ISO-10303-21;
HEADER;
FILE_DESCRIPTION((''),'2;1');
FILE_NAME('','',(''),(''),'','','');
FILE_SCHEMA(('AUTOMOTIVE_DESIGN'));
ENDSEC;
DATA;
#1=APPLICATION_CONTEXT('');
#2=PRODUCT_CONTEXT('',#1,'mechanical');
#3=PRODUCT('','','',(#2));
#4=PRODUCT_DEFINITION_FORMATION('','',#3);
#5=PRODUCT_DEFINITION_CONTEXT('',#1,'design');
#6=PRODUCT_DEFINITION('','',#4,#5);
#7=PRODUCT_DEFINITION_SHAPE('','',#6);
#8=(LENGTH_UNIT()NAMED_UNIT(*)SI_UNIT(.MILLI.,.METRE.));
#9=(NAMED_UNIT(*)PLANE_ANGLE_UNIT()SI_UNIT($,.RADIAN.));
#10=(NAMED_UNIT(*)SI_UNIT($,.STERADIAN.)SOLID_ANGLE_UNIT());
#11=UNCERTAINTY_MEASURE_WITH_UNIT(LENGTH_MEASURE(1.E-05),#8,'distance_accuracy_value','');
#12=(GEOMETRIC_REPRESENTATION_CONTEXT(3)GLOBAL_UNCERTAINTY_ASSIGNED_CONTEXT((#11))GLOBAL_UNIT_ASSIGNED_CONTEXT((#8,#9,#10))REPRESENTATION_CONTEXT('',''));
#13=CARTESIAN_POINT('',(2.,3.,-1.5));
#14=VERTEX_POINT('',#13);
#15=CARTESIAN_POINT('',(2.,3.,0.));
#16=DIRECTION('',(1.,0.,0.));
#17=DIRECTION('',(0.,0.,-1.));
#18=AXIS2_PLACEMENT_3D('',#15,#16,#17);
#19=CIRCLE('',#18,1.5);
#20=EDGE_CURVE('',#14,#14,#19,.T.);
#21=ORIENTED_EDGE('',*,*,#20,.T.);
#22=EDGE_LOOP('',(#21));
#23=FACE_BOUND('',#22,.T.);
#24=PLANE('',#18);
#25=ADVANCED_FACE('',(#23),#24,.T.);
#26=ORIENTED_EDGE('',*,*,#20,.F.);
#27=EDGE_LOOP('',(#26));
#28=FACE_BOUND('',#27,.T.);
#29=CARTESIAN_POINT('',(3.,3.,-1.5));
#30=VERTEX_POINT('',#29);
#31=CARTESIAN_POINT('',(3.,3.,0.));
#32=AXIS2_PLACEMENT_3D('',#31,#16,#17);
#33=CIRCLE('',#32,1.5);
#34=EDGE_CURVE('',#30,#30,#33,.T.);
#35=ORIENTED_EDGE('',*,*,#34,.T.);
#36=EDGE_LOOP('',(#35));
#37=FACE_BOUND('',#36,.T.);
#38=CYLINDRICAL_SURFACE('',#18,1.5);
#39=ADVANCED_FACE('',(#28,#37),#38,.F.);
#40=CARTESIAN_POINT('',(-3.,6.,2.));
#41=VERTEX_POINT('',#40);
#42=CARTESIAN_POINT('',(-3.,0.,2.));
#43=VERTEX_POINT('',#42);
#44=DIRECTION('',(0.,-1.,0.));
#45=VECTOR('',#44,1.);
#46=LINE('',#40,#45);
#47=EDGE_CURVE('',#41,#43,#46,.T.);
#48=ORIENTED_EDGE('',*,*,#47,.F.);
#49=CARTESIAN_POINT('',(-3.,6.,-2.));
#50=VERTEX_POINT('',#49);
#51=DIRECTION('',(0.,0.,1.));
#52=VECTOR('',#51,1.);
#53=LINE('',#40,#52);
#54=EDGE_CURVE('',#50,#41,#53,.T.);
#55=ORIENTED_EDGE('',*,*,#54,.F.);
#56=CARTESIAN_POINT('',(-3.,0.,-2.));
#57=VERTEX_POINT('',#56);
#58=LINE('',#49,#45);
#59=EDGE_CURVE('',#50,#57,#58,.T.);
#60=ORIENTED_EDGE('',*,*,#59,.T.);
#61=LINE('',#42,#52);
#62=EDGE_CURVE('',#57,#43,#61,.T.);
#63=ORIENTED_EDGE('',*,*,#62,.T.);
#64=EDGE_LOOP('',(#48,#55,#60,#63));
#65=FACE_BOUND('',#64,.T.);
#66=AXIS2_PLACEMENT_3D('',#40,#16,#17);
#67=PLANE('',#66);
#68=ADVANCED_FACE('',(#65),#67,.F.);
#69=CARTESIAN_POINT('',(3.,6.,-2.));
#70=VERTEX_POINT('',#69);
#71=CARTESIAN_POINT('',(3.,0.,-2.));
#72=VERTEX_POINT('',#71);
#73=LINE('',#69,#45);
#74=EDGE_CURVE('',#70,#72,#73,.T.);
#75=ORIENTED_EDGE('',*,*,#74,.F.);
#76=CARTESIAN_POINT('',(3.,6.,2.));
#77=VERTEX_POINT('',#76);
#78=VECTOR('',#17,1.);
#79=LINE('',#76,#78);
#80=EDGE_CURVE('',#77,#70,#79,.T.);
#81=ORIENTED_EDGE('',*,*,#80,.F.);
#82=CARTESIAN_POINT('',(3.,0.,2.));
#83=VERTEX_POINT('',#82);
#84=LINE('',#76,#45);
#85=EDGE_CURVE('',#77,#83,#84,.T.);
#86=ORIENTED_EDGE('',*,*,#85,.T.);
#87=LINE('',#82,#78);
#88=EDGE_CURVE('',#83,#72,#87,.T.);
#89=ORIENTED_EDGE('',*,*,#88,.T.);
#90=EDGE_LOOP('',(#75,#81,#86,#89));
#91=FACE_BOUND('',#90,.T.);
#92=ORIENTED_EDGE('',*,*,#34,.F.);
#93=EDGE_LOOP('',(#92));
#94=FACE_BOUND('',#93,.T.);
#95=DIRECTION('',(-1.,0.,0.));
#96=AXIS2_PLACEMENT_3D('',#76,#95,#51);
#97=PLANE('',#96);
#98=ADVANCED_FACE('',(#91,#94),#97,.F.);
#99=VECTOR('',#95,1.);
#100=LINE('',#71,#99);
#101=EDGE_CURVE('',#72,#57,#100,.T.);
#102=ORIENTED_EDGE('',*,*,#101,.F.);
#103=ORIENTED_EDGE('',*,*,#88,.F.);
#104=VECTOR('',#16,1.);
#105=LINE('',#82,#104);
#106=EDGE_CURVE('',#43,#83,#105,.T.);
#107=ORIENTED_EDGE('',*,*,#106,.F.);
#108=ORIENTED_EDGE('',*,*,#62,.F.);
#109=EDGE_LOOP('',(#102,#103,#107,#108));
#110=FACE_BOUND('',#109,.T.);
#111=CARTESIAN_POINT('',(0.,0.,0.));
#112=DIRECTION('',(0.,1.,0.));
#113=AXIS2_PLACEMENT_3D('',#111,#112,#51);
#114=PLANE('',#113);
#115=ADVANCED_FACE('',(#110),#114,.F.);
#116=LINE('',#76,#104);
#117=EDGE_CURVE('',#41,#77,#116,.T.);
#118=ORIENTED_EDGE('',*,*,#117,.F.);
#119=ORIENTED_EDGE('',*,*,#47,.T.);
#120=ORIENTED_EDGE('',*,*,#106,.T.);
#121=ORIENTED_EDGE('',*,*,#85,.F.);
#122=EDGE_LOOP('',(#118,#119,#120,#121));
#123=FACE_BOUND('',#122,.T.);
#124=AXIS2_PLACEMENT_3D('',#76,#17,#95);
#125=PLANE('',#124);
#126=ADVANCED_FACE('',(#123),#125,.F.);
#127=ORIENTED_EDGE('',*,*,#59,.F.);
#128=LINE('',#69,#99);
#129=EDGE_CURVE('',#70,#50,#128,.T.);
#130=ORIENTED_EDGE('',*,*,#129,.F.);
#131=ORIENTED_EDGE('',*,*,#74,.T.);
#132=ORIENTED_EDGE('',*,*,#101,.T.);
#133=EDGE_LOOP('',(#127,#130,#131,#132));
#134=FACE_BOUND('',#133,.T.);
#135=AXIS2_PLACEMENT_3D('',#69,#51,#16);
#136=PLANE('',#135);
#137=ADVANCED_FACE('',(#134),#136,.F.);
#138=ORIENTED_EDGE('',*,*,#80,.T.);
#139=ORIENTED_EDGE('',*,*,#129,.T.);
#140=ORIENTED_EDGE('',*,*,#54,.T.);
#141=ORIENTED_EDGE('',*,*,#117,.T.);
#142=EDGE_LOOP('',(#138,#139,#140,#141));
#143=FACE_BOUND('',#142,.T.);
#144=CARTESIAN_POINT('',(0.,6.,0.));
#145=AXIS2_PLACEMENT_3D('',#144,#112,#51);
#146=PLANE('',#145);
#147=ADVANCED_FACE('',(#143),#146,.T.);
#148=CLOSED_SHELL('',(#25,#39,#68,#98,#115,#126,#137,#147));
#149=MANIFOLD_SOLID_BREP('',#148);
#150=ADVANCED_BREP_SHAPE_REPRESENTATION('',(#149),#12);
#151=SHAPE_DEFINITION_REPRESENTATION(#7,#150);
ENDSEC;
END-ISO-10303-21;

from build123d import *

# Parameters (mm, degrees)
SKETCH1_W           = 6
SKETCH1_H           = 4
BOSS_EXTRUDE1_DEPTH = 6
SKETCH2_R           = 1.5
CUT_EXTRUDE1_DEPTH  = 1


with BuildPart() as part:
    # Sketch1 → Boss-Extrude1 (new body)
    with BuildSketch(Plane(origin=(0, 0, 0), x_dir=(1, 0, 0), z_dir=(0, 1, 0))):
        Rectangle(SKETCH1_W, SKETCH1_H)
    extrude(amount=BOSS_EXTRUDE1_DEPTH)

    # Sketch2 → Cut-Extrude1 (cut)
    with BuildSketch(Plane(origin=(3, 0, 0), x_dir=(0, 0, -1), z_dir=(1, 0, 0))):
        with Locations((0, 3)):
            Circle(SKETCH2_R)
    extrude(amount=-CUT_EXTRUDE1_DEPTH, mode=Mode.SUBTRACT)


solid = part.part
